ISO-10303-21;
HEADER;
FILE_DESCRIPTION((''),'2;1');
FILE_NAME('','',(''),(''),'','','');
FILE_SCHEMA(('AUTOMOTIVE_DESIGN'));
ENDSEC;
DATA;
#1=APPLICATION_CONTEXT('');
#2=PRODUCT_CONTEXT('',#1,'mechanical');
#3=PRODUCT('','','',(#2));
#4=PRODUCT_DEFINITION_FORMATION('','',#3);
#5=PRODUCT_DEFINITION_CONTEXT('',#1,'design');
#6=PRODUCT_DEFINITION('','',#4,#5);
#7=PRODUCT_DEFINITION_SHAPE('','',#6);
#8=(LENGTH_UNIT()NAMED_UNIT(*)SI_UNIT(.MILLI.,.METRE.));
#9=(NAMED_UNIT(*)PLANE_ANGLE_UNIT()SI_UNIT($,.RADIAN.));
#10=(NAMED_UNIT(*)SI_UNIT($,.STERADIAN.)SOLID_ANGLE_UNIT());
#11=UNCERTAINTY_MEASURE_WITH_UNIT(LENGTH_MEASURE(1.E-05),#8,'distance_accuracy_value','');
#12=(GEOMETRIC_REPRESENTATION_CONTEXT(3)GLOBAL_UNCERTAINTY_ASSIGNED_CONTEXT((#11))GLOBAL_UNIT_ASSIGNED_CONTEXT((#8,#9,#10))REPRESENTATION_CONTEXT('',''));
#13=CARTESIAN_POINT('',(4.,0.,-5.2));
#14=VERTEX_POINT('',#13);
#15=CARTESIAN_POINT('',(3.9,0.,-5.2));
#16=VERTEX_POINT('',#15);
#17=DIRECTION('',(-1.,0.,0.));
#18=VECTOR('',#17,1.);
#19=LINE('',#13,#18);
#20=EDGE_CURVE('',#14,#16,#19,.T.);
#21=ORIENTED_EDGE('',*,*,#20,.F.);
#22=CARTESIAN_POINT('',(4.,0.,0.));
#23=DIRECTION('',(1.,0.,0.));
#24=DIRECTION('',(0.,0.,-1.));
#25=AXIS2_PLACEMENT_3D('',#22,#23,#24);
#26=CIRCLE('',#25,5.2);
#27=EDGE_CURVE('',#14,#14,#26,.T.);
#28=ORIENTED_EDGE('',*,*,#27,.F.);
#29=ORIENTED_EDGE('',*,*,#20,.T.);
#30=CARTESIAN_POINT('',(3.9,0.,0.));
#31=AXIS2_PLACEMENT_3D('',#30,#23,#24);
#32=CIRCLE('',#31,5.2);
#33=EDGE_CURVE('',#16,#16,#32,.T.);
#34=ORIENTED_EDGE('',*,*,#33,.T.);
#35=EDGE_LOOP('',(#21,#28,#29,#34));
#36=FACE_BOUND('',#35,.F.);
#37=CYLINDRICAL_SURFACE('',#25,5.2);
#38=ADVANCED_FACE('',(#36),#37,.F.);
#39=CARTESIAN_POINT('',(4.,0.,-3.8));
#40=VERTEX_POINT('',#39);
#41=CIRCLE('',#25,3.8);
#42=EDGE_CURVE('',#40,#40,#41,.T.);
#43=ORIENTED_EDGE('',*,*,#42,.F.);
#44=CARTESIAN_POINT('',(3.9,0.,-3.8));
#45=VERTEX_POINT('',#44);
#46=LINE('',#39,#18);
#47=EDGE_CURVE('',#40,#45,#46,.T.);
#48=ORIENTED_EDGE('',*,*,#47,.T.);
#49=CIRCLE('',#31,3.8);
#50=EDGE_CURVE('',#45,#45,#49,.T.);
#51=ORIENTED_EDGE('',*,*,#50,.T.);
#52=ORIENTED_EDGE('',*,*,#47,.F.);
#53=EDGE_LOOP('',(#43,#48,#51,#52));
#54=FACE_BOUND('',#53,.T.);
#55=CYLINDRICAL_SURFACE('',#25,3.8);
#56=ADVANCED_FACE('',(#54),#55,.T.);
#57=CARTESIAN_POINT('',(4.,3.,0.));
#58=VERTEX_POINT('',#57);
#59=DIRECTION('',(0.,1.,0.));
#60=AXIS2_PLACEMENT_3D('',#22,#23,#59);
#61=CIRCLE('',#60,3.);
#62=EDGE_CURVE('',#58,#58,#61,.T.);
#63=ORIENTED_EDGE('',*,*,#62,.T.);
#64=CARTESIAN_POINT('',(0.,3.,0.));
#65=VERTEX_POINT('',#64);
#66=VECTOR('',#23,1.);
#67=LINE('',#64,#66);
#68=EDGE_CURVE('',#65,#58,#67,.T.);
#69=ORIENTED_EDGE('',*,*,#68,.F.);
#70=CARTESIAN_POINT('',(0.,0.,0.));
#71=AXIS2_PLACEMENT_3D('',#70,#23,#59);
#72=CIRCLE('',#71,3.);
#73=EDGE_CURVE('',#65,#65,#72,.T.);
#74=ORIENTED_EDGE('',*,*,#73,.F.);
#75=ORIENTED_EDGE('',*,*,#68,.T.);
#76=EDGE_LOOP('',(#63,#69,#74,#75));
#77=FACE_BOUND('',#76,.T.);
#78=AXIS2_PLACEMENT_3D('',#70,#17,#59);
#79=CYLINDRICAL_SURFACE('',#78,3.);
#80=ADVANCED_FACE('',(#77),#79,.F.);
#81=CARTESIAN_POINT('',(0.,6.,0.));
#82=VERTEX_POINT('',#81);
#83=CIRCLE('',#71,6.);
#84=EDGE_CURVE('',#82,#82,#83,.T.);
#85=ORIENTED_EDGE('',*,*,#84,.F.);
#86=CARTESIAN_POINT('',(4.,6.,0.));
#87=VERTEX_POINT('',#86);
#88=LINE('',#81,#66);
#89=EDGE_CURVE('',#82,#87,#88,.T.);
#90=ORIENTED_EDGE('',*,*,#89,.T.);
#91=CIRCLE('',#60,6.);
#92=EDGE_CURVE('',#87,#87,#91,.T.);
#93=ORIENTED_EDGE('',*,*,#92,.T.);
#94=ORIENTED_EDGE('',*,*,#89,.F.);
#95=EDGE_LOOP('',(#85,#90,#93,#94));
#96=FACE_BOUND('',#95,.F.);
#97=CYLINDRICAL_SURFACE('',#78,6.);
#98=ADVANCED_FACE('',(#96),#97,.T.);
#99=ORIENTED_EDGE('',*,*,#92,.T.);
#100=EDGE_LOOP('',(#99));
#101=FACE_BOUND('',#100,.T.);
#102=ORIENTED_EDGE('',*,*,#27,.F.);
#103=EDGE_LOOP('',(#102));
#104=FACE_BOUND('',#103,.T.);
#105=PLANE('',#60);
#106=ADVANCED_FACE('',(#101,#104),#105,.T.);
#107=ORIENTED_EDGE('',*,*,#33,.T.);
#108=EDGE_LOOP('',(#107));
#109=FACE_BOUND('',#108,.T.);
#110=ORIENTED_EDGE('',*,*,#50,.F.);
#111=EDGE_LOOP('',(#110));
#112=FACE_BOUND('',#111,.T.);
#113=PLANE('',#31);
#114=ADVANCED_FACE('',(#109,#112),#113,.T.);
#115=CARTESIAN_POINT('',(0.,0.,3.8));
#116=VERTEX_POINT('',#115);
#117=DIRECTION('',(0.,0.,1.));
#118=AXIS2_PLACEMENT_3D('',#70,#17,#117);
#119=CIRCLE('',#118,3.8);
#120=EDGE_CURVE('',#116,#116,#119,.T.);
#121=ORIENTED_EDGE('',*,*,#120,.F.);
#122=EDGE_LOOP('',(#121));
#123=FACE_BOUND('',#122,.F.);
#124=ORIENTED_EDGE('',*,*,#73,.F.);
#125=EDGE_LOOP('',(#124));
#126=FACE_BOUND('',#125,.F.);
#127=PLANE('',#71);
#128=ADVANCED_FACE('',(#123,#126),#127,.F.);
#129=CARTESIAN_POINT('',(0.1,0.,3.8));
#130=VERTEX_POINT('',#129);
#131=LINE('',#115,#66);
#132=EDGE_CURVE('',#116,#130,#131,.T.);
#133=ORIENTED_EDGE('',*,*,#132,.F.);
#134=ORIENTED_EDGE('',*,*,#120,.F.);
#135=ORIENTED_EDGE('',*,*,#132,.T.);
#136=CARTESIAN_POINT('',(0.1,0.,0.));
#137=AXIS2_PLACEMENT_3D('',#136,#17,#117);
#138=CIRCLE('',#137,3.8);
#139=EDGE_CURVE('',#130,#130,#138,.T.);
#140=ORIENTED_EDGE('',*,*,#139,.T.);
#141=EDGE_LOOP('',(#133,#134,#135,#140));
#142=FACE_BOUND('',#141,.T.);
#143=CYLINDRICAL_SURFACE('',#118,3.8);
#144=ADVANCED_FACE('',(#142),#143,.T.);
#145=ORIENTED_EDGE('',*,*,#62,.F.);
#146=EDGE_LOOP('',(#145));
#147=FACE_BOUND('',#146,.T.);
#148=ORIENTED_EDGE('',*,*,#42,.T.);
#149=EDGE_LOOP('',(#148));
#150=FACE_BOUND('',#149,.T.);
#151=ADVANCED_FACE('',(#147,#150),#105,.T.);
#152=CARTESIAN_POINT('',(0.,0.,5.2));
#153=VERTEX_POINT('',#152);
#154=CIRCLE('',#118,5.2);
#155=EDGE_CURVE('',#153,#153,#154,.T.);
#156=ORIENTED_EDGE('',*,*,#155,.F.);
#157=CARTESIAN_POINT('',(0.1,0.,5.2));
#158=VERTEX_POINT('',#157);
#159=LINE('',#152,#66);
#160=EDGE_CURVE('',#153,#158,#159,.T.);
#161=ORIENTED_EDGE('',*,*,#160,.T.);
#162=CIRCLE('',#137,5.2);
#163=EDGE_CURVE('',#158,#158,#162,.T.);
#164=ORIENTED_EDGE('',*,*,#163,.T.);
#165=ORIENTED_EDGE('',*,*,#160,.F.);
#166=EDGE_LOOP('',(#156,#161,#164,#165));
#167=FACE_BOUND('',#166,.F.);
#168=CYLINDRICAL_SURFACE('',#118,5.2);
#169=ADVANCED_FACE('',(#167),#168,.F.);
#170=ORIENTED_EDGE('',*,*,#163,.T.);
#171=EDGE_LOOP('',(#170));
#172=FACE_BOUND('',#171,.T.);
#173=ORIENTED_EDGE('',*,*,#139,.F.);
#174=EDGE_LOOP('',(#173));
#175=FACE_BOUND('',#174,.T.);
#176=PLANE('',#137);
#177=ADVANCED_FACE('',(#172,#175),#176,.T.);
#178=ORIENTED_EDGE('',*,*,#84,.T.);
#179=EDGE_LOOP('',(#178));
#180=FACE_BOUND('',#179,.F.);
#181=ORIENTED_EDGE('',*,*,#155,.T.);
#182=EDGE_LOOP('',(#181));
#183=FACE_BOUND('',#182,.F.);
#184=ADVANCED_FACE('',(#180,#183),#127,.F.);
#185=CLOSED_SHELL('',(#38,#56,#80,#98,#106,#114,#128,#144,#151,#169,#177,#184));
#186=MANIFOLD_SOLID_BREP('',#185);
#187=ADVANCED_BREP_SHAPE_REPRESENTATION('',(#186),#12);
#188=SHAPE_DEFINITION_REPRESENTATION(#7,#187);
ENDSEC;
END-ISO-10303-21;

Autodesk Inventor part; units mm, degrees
ref_plane "YZ Plane" through (0, 0, 0) normal (1, 0, 0) x (0, 1, 0)
ref_plane "XZ Plane" through (0, 0, 0) normal (0, 1, 0) x (-1, 0, 0)
ref_plane "XY Plane" through (0, 0, 0) normal (0, 0, 1) x (1, 0, 0)
sketch "Sketch1" plane through (0, 0, 0) normal (1, 0, 0) x (0, 1, 0)
  circle A0 centre (0, 0) radius 6
  circle A1 centre (0, 0) radius 3
  dimension "d0" = 12
  dimension "d1" = 6
extrude "Extrusion1" add sketch "Sketch1" along normal blind 4
sketch "Sketch2" plane through (0, 0, 0) normal (-1, 0, 0) x (0, 0, 1)
  circle A0 centre (0, 0) radius 6 projected
  circle A1 centre (0, 0) radius 3 projected
  circle A2 centre (0, 0) radius 5.2
  circle A3 centre (0, 0) radius 3.8
  dimension "d4" = 0.8
  dimension "d5" = 0.8
extrude "Extrusion2" cut sketch "Sketch2" against normal blind 0.1 contours A2
sketch "Sketch3" plane through (4, 0, 0) normal (1, 0, 0) x (0, 0, -1)
  circle A0 centre (0, 0) radius 6 projected
  circle A1 centre (0, 0) radius 5.2 projected
  circle A2 centre (0, 0) radius 3.8 projected
extrude "Extrusion3" cut sketch "Sketch3" against normal blind 0.1 contours A1
properties part number "MR126ZZ-6x12x4mm" material "Stainless Steel"
